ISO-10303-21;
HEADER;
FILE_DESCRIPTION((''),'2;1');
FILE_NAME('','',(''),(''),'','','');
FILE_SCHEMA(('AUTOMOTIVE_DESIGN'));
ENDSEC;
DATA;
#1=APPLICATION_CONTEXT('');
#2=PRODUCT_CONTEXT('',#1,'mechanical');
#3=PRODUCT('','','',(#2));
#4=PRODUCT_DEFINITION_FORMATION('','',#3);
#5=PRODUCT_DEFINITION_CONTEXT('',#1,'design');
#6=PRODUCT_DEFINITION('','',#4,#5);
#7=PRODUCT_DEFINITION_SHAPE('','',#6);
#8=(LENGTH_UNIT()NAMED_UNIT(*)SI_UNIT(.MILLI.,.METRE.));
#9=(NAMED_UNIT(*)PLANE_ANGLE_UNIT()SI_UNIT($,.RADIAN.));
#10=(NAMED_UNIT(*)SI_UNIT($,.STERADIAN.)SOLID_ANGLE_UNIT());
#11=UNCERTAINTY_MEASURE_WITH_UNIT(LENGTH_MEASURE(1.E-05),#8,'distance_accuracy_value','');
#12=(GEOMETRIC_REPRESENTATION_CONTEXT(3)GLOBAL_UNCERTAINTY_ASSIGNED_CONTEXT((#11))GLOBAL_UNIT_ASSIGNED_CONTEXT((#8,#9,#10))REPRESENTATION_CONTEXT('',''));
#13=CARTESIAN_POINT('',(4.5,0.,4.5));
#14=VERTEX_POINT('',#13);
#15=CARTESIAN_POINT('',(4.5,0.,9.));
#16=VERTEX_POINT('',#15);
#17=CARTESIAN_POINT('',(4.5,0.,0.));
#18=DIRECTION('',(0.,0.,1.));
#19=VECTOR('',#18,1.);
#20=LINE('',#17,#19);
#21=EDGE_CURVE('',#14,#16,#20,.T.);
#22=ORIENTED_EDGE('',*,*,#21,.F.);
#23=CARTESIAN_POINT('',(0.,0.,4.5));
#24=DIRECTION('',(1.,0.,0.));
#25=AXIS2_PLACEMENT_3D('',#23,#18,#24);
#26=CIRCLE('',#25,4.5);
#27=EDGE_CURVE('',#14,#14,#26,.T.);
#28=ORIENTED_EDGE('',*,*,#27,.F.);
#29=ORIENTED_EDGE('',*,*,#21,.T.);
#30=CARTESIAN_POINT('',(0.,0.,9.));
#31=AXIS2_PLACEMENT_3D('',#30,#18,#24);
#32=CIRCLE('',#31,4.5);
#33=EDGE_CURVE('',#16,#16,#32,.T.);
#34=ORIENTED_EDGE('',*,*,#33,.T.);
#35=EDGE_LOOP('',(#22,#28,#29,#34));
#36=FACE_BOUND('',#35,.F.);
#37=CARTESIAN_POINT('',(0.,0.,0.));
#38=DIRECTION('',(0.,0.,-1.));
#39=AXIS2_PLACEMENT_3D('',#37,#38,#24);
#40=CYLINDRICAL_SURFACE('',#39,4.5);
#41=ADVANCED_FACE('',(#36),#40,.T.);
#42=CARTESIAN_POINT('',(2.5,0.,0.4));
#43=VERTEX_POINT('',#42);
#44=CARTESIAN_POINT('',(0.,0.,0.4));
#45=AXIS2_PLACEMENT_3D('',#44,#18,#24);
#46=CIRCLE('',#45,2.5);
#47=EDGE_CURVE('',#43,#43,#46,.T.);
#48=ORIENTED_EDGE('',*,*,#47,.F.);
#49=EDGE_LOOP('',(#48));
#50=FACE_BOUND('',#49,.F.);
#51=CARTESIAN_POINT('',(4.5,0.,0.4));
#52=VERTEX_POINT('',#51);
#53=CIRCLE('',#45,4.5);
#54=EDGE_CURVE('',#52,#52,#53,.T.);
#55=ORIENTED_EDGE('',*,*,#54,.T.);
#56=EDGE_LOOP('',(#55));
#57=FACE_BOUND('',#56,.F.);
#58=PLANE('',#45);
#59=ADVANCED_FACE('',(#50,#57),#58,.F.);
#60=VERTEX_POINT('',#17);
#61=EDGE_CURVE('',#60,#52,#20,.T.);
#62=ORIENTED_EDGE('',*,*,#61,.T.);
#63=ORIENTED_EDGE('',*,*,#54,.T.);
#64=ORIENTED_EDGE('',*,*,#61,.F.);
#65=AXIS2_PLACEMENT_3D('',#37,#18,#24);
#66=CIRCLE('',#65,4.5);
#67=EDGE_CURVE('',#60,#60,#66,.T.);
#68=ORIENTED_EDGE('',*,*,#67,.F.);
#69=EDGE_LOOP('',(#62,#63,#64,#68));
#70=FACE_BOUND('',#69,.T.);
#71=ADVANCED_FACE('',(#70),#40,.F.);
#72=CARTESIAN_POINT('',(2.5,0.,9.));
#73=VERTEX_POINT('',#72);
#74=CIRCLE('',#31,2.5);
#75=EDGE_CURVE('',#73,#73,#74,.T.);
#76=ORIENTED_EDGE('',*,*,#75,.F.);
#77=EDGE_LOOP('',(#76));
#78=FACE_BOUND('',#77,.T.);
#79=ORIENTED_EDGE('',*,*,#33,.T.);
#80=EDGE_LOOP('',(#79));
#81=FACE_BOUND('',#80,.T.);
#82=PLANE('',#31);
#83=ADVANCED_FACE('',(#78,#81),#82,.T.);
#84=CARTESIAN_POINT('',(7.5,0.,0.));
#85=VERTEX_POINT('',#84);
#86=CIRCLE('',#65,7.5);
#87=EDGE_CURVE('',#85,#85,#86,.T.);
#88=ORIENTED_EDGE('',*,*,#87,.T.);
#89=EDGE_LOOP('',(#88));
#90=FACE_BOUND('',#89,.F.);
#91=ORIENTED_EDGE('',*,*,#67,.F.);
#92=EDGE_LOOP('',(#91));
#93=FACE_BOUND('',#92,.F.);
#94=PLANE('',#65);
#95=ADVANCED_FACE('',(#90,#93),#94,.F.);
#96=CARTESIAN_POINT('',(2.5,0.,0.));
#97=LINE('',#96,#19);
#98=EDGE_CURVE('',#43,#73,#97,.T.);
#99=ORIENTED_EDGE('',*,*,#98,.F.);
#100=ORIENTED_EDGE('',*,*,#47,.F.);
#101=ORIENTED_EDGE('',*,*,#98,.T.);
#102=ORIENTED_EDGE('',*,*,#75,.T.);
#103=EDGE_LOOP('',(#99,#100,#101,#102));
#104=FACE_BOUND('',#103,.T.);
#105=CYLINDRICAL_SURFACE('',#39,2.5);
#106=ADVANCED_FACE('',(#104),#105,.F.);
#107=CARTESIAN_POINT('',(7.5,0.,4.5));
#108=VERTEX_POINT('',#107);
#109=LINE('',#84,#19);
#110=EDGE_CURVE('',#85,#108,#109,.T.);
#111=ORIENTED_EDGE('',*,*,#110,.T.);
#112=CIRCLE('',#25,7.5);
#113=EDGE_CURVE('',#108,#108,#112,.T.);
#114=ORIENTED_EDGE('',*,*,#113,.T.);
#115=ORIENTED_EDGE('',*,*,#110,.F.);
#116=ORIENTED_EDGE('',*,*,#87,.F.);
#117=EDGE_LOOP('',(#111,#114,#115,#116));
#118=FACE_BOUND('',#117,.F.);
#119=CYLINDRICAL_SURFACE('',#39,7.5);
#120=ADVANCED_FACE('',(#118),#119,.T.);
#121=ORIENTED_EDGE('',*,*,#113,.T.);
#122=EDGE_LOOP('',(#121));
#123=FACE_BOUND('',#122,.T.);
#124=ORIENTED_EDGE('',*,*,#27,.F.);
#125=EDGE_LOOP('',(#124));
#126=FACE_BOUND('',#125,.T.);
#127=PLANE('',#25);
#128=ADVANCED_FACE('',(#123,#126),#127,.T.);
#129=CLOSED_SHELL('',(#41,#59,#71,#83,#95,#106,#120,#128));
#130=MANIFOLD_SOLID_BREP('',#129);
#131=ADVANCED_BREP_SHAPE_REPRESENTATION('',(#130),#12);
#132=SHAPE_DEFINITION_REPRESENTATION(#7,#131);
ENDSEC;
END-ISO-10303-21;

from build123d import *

# Parameters (mm, degrees)
F0_R     = 4.5
F0_R_2   = 2.5
F1_DEPTH = 9
F0_R_3   = 7.5
F2_DEPTH = 4.5
F3_DEPTH = 0.4


with BuildPart() as f1:
    # F0 (on Top) → F1 (new body)
    with BuildSketch(Plane.XY):
        Circle(F0_R)
        Circle(F0_R_2, mode=Mode.SUBTRACT)
    extrude(amount=F1_DEPTH)

    # F0 (on Top) → F2 (join)
    with BuildSketch(Plane.XY):
        Circle(F0_R_3)
        Circle(F0_R, mode=Mode.SUBTRACT)
    extrude(amount=F2_DEPTH)

    # F0 (on Top) → F3 (cut)
    with BuildSketch(Plane.XY):
        Circle(F0_R)
        Circle(F0_R_2, mode=Mode.SUBTRACT)
    extrude(amount=F3_DEPTH, mode=Mode.SUBTRACT)


solid = f1.part
